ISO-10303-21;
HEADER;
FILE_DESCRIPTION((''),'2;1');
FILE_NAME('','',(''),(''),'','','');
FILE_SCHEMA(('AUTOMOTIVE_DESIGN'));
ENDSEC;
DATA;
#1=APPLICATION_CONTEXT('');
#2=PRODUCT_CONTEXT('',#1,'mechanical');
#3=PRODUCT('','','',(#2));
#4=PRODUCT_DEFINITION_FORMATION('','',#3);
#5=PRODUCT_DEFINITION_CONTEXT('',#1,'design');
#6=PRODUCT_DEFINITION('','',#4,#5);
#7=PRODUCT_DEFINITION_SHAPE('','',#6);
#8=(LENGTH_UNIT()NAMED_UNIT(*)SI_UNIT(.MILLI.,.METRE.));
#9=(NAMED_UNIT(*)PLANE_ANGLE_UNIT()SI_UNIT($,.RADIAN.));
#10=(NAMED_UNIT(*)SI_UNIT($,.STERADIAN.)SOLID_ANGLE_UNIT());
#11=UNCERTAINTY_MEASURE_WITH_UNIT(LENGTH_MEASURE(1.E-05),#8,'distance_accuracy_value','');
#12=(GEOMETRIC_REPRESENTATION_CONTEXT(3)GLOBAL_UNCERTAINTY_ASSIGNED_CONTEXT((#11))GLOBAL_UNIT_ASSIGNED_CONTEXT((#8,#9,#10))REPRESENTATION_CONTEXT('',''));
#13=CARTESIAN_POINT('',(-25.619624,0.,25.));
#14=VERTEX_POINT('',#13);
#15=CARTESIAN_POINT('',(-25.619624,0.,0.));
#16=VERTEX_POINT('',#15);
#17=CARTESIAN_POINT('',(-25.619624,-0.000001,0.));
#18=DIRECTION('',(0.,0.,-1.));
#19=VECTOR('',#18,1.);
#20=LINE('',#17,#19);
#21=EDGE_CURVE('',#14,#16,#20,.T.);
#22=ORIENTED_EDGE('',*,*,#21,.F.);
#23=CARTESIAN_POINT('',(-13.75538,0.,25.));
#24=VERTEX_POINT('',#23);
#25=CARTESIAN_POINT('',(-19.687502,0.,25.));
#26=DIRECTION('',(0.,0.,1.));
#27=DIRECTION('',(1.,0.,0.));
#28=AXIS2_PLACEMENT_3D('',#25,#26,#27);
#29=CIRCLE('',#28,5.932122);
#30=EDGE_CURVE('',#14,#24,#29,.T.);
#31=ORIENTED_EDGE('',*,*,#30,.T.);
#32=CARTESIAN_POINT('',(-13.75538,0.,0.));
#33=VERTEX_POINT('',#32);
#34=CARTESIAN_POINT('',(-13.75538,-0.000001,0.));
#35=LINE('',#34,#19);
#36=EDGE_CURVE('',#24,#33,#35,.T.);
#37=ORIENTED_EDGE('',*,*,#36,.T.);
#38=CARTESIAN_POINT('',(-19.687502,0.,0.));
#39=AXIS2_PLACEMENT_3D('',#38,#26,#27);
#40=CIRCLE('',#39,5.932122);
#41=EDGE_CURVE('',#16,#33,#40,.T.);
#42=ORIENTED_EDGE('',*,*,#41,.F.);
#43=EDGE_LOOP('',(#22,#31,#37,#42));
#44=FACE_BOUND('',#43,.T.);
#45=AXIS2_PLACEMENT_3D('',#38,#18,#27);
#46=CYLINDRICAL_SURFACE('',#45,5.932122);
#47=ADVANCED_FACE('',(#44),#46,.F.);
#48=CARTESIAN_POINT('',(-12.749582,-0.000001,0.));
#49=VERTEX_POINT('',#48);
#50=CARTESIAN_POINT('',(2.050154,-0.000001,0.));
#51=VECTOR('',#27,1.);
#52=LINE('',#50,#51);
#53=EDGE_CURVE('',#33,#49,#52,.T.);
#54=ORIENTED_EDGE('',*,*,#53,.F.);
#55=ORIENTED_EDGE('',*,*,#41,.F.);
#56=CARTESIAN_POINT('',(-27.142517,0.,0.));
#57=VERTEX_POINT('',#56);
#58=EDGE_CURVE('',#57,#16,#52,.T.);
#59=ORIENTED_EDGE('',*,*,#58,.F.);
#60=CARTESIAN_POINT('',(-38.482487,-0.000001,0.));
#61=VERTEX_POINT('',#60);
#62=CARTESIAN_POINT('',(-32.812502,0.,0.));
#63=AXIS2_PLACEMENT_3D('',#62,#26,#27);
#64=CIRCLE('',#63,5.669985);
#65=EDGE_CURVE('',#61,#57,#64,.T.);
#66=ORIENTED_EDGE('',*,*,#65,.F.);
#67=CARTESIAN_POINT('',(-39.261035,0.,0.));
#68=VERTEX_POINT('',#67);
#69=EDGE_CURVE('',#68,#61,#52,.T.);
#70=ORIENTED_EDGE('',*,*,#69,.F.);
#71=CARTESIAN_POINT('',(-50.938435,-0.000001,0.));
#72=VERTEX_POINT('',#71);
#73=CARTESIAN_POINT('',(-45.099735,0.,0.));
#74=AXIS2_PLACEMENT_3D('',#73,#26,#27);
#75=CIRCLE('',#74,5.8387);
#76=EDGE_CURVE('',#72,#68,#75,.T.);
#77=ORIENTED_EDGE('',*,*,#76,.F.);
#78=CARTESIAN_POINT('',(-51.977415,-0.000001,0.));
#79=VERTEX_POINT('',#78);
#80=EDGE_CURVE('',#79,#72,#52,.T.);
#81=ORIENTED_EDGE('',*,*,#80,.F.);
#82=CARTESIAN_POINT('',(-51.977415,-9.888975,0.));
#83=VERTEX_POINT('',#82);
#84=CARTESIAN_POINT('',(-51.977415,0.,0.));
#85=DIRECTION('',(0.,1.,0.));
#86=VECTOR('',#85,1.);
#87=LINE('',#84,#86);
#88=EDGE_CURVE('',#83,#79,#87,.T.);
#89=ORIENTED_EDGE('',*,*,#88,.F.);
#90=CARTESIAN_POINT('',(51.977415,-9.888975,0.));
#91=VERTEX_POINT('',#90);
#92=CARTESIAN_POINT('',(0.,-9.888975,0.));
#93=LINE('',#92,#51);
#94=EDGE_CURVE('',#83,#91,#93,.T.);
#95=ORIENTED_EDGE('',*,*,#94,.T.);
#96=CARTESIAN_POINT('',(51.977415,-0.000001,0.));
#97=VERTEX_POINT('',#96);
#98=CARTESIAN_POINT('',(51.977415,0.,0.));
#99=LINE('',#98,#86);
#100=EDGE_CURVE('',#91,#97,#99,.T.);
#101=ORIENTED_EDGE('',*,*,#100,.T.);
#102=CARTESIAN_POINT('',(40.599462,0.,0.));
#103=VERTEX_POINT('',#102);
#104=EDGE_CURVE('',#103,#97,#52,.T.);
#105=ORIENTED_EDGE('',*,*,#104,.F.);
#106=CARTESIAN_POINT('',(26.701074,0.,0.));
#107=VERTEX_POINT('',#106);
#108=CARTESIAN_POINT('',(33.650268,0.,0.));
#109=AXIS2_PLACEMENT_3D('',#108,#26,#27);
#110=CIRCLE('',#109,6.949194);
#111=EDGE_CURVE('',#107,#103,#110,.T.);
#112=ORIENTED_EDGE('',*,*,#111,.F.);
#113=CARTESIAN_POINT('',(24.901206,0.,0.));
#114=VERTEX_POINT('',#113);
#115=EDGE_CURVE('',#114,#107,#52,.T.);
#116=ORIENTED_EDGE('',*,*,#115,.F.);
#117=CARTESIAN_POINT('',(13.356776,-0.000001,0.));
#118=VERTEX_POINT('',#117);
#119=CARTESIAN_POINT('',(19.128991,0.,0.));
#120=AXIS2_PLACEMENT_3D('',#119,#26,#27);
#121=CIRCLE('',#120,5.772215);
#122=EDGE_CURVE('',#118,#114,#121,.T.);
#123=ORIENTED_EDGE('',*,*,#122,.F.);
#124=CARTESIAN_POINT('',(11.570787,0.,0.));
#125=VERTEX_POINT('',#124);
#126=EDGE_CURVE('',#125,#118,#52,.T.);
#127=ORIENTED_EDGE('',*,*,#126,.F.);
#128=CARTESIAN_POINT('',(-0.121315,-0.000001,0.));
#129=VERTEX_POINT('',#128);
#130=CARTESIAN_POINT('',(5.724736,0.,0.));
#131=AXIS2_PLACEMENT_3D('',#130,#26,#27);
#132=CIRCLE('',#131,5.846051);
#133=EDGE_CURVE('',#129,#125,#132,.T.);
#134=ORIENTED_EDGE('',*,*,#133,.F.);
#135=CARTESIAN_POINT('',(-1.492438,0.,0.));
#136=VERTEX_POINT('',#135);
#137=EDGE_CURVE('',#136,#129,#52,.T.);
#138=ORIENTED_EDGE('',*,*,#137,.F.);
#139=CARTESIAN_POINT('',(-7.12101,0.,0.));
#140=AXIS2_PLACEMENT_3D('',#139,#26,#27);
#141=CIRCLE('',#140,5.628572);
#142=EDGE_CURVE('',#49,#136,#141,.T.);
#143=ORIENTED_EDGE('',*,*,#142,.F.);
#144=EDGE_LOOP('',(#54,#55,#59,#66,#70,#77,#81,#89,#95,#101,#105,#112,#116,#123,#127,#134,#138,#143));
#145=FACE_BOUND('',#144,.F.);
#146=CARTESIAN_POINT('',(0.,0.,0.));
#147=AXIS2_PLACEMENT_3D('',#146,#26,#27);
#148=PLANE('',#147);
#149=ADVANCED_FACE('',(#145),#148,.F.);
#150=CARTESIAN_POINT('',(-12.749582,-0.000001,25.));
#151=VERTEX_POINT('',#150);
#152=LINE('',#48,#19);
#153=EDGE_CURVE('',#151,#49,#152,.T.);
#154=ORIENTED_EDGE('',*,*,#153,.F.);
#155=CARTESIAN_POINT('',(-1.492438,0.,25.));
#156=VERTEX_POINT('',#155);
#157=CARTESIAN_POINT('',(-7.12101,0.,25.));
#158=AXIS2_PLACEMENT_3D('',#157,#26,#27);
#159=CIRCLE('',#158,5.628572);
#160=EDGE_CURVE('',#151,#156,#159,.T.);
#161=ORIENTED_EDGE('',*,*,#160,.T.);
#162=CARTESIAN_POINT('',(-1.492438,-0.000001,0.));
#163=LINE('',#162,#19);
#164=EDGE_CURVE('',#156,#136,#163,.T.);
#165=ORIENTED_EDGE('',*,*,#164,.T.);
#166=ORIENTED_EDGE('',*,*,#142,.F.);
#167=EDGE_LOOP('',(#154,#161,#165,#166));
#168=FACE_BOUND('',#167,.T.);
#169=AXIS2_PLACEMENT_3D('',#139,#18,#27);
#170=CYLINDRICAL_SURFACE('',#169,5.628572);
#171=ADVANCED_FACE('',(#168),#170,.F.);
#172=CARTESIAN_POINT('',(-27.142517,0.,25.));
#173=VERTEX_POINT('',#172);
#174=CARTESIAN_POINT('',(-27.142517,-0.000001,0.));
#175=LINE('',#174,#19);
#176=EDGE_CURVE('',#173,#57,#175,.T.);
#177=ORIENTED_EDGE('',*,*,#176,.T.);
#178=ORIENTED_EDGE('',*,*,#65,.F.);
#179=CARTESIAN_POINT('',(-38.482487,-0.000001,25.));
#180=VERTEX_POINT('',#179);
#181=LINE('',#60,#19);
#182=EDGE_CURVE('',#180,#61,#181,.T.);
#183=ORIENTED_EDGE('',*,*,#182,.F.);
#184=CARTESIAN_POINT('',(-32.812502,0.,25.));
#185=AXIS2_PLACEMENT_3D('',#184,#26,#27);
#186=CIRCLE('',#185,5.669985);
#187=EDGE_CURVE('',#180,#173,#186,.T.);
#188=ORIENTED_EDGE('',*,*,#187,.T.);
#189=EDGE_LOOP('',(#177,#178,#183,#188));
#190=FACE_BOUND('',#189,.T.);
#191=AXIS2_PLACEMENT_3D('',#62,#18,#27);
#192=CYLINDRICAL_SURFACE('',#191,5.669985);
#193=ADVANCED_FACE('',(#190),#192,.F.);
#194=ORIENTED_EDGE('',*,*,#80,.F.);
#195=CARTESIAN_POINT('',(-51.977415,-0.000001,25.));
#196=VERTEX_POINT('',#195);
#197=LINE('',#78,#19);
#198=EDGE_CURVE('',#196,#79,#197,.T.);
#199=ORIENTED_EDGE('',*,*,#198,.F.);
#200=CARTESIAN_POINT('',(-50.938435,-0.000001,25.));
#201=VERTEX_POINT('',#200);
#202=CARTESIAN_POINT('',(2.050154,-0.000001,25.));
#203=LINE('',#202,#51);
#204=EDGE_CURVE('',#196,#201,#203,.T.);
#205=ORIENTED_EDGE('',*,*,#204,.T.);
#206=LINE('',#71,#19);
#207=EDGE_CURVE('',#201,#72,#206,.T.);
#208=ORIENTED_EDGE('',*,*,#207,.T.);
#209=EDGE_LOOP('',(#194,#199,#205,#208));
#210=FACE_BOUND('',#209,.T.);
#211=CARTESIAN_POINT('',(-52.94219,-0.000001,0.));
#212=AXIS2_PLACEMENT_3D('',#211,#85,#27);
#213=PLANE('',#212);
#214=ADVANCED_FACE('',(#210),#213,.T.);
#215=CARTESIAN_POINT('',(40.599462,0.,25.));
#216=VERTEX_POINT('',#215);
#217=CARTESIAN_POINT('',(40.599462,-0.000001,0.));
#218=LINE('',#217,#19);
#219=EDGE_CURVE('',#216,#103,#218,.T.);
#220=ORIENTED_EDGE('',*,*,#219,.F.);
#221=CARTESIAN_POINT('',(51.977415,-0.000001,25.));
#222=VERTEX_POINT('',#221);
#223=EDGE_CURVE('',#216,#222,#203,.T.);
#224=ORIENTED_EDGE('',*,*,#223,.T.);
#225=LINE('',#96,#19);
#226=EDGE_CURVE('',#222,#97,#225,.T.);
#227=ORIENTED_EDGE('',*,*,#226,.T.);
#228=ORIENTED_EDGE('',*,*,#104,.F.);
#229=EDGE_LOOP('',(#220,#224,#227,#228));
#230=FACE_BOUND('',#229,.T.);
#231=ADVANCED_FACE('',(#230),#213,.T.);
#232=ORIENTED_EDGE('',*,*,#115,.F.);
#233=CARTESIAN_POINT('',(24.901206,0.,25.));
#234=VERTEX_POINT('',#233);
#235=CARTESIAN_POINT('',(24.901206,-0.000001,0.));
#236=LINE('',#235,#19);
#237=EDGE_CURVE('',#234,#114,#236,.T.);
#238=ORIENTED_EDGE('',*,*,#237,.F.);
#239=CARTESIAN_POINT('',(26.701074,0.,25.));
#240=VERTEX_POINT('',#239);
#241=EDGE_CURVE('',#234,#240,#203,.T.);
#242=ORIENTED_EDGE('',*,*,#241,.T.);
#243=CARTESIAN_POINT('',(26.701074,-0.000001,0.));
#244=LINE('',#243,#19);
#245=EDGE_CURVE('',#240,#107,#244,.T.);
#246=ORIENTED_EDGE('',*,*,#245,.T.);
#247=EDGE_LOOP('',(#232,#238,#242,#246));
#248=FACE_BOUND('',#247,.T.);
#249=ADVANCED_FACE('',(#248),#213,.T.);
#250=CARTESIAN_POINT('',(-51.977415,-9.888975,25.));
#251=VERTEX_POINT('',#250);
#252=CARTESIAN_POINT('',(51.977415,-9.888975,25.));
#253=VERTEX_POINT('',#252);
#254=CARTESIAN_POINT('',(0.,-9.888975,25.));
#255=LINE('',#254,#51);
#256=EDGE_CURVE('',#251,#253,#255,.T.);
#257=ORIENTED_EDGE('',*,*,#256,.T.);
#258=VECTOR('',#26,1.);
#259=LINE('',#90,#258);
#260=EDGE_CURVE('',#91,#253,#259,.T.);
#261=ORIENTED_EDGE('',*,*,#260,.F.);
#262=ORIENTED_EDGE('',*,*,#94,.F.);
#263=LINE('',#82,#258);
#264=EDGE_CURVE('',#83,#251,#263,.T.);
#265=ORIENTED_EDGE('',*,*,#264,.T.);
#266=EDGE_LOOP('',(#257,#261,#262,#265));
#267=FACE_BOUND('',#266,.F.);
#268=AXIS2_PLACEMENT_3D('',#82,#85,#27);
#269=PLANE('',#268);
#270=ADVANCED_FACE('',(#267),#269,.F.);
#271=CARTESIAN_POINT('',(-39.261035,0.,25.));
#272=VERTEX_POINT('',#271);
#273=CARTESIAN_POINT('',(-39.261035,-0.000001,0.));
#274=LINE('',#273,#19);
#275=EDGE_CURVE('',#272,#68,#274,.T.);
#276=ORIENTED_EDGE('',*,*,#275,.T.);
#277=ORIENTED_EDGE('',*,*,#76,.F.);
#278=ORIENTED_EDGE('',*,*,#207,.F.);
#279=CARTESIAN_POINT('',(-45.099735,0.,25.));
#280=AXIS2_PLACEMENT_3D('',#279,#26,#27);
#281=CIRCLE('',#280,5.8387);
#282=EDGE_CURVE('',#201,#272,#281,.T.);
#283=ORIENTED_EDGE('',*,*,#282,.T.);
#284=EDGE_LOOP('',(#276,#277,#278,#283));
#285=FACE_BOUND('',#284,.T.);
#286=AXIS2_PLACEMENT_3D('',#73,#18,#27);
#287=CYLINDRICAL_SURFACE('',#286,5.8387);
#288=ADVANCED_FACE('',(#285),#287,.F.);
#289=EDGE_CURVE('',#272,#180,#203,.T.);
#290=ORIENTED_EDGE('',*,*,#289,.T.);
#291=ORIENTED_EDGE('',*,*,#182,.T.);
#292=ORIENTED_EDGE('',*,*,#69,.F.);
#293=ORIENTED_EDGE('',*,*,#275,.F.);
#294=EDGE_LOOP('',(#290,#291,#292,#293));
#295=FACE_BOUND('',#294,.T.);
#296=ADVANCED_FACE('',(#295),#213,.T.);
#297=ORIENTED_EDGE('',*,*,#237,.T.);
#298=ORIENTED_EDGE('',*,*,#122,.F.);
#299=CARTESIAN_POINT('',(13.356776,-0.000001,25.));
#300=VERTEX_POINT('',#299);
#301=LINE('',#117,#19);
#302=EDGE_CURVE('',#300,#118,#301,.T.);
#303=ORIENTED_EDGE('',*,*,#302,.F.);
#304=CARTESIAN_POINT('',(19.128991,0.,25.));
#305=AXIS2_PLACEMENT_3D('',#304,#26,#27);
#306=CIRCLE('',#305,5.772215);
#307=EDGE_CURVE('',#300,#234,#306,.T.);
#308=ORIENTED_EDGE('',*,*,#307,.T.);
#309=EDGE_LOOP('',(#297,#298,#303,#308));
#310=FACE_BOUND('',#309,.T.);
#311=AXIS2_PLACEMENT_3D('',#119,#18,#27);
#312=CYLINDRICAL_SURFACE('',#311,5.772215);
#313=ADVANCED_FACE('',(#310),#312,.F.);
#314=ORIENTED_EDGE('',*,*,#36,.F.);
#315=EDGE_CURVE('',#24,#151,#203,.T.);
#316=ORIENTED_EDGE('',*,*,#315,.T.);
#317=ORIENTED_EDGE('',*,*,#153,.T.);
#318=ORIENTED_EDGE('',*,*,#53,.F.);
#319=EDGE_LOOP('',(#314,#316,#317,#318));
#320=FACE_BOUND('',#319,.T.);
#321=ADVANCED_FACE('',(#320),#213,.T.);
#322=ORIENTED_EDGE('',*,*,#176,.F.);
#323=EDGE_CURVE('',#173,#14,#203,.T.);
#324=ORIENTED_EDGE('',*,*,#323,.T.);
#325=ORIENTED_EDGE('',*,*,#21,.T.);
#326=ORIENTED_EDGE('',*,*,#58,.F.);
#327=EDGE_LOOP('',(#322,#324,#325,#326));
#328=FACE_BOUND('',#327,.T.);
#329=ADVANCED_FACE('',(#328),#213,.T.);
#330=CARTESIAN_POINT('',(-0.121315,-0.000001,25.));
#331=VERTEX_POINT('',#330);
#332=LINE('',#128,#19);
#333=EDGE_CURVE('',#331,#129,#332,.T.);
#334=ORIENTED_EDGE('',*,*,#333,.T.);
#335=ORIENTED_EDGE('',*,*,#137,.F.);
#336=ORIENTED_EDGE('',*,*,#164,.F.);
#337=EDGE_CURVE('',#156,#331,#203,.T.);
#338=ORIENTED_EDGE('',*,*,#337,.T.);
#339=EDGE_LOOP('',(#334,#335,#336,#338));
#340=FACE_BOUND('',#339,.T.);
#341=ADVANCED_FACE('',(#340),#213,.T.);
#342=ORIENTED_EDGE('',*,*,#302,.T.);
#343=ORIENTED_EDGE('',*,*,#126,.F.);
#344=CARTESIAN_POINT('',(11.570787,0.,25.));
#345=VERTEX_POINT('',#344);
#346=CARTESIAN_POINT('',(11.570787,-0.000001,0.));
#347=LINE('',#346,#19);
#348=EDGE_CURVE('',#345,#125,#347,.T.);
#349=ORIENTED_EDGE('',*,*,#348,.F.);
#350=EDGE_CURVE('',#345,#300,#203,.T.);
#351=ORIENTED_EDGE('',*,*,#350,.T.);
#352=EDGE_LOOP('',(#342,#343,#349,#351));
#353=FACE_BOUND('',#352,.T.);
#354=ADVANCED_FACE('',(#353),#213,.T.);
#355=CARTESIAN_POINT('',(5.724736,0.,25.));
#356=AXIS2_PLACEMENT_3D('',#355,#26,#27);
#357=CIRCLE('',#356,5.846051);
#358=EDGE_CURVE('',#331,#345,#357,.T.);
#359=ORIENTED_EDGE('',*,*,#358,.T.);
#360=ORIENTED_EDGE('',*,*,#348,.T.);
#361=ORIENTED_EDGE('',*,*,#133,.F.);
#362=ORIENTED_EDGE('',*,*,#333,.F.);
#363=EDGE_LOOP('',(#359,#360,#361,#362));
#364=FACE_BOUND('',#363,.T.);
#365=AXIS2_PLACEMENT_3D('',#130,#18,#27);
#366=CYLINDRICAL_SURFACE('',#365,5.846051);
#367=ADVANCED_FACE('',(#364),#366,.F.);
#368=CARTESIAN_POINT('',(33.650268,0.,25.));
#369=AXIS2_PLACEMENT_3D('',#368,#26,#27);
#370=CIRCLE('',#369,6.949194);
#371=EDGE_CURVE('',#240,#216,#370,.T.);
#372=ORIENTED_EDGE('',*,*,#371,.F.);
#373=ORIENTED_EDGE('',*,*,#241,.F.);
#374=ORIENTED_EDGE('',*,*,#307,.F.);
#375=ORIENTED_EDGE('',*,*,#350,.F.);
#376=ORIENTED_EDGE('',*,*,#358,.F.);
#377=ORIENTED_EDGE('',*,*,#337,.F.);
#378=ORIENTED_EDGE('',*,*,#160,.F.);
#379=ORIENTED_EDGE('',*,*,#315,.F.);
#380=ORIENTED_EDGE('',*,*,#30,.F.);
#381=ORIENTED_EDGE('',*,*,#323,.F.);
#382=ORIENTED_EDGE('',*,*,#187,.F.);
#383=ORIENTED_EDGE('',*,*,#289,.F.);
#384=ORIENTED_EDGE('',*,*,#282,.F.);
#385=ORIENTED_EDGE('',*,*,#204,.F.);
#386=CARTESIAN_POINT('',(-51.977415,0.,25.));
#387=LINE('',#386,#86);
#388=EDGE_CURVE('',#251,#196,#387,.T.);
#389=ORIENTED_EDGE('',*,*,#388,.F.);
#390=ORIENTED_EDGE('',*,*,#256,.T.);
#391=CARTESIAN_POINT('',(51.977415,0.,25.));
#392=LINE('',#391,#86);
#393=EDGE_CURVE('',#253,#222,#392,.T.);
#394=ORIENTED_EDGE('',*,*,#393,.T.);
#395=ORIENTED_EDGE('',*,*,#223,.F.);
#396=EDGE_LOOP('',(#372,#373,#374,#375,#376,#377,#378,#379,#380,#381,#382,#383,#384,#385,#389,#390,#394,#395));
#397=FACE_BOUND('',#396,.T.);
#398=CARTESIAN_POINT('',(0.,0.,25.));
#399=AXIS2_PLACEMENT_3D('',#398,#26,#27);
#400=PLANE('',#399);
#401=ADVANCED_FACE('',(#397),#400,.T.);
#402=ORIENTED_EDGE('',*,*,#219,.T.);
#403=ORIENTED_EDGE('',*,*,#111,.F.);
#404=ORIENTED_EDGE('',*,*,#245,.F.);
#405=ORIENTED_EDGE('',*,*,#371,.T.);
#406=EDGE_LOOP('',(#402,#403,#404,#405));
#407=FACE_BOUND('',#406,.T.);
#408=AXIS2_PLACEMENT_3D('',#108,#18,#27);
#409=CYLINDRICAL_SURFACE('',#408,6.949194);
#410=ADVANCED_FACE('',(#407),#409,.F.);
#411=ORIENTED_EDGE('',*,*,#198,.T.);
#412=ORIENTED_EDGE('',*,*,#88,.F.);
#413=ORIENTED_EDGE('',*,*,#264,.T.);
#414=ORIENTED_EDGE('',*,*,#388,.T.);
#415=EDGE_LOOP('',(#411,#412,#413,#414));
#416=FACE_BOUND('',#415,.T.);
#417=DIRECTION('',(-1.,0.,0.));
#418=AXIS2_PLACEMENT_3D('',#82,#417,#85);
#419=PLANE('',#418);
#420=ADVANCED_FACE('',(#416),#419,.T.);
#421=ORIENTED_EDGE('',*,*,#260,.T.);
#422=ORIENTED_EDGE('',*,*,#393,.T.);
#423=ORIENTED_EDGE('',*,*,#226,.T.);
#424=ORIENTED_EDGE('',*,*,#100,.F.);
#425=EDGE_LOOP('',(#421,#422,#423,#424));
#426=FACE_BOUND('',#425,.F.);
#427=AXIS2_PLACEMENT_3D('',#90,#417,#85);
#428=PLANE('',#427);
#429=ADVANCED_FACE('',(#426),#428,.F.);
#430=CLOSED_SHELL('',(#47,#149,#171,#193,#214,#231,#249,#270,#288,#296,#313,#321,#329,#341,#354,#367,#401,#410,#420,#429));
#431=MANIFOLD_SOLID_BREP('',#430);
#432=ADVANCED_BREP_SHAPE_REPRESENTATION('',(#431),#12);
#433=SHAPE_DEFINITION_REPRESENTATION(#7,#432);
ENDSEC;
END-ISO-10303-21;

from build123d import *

# Parameters (mm, degrees)
F0_W     = 103.95483
F0_H     = 19.77795
F1_DEPTH = 25
F2_R     = 5.8387
F2_R_2   = 5.669985
F2_R_3   = 5.932122
F2_R_4   = 5.628572
F2_R_5   = 5.846051
F2_R_6   = 5.772215
F2_R_7   = 6.949194
F3_DEPTH = 25
F4_W     = 109.984688
F4_H     = 10.371363
F5_DEPTH = 25


with BuildPart() as f1:
    # F0 (on Top) → F1 (new body)
    with BuildSketch(Plane.XY):
        Rectangle(F0_W, F0_H)
    extrude(amount=F1_DEPTH)

    # F2 (on Top) → F3 (cut)
    with BuildSketch(Plane.XY):
        with Locations((-45.099735, 0)):
            Circle(F2_R)
        with Locations((-32.812502, 0)):
            Circle(F2_R_2)
        with Locations((-19.687502, 0)):
            Circle(F2_R_3)
        with Locations((-7.12101, 0)):
            Circle(F2_R_4)
        with Locations((5.724736, 0)):
            Circle(F2_R_5)
        with Locations((19.128991, 0)):
            Circle(F2_R_6)
        with Locations((33.650268, 0)):
            Circle(F2_R_7)
    extrude(amount=F3_DEPTH, mode=Mode.SUBTRACT)

    # F4 (on Top) → F5 (cut)
    with BuildSketch(Plane.XY):
        with Locations((2.050154, 5.185681)):
            Rectangle(F4_W, F4_H)
    extrude(amount=F5_DEPTH, mode=Mode.SUBTRACT)


solid = f1.part
